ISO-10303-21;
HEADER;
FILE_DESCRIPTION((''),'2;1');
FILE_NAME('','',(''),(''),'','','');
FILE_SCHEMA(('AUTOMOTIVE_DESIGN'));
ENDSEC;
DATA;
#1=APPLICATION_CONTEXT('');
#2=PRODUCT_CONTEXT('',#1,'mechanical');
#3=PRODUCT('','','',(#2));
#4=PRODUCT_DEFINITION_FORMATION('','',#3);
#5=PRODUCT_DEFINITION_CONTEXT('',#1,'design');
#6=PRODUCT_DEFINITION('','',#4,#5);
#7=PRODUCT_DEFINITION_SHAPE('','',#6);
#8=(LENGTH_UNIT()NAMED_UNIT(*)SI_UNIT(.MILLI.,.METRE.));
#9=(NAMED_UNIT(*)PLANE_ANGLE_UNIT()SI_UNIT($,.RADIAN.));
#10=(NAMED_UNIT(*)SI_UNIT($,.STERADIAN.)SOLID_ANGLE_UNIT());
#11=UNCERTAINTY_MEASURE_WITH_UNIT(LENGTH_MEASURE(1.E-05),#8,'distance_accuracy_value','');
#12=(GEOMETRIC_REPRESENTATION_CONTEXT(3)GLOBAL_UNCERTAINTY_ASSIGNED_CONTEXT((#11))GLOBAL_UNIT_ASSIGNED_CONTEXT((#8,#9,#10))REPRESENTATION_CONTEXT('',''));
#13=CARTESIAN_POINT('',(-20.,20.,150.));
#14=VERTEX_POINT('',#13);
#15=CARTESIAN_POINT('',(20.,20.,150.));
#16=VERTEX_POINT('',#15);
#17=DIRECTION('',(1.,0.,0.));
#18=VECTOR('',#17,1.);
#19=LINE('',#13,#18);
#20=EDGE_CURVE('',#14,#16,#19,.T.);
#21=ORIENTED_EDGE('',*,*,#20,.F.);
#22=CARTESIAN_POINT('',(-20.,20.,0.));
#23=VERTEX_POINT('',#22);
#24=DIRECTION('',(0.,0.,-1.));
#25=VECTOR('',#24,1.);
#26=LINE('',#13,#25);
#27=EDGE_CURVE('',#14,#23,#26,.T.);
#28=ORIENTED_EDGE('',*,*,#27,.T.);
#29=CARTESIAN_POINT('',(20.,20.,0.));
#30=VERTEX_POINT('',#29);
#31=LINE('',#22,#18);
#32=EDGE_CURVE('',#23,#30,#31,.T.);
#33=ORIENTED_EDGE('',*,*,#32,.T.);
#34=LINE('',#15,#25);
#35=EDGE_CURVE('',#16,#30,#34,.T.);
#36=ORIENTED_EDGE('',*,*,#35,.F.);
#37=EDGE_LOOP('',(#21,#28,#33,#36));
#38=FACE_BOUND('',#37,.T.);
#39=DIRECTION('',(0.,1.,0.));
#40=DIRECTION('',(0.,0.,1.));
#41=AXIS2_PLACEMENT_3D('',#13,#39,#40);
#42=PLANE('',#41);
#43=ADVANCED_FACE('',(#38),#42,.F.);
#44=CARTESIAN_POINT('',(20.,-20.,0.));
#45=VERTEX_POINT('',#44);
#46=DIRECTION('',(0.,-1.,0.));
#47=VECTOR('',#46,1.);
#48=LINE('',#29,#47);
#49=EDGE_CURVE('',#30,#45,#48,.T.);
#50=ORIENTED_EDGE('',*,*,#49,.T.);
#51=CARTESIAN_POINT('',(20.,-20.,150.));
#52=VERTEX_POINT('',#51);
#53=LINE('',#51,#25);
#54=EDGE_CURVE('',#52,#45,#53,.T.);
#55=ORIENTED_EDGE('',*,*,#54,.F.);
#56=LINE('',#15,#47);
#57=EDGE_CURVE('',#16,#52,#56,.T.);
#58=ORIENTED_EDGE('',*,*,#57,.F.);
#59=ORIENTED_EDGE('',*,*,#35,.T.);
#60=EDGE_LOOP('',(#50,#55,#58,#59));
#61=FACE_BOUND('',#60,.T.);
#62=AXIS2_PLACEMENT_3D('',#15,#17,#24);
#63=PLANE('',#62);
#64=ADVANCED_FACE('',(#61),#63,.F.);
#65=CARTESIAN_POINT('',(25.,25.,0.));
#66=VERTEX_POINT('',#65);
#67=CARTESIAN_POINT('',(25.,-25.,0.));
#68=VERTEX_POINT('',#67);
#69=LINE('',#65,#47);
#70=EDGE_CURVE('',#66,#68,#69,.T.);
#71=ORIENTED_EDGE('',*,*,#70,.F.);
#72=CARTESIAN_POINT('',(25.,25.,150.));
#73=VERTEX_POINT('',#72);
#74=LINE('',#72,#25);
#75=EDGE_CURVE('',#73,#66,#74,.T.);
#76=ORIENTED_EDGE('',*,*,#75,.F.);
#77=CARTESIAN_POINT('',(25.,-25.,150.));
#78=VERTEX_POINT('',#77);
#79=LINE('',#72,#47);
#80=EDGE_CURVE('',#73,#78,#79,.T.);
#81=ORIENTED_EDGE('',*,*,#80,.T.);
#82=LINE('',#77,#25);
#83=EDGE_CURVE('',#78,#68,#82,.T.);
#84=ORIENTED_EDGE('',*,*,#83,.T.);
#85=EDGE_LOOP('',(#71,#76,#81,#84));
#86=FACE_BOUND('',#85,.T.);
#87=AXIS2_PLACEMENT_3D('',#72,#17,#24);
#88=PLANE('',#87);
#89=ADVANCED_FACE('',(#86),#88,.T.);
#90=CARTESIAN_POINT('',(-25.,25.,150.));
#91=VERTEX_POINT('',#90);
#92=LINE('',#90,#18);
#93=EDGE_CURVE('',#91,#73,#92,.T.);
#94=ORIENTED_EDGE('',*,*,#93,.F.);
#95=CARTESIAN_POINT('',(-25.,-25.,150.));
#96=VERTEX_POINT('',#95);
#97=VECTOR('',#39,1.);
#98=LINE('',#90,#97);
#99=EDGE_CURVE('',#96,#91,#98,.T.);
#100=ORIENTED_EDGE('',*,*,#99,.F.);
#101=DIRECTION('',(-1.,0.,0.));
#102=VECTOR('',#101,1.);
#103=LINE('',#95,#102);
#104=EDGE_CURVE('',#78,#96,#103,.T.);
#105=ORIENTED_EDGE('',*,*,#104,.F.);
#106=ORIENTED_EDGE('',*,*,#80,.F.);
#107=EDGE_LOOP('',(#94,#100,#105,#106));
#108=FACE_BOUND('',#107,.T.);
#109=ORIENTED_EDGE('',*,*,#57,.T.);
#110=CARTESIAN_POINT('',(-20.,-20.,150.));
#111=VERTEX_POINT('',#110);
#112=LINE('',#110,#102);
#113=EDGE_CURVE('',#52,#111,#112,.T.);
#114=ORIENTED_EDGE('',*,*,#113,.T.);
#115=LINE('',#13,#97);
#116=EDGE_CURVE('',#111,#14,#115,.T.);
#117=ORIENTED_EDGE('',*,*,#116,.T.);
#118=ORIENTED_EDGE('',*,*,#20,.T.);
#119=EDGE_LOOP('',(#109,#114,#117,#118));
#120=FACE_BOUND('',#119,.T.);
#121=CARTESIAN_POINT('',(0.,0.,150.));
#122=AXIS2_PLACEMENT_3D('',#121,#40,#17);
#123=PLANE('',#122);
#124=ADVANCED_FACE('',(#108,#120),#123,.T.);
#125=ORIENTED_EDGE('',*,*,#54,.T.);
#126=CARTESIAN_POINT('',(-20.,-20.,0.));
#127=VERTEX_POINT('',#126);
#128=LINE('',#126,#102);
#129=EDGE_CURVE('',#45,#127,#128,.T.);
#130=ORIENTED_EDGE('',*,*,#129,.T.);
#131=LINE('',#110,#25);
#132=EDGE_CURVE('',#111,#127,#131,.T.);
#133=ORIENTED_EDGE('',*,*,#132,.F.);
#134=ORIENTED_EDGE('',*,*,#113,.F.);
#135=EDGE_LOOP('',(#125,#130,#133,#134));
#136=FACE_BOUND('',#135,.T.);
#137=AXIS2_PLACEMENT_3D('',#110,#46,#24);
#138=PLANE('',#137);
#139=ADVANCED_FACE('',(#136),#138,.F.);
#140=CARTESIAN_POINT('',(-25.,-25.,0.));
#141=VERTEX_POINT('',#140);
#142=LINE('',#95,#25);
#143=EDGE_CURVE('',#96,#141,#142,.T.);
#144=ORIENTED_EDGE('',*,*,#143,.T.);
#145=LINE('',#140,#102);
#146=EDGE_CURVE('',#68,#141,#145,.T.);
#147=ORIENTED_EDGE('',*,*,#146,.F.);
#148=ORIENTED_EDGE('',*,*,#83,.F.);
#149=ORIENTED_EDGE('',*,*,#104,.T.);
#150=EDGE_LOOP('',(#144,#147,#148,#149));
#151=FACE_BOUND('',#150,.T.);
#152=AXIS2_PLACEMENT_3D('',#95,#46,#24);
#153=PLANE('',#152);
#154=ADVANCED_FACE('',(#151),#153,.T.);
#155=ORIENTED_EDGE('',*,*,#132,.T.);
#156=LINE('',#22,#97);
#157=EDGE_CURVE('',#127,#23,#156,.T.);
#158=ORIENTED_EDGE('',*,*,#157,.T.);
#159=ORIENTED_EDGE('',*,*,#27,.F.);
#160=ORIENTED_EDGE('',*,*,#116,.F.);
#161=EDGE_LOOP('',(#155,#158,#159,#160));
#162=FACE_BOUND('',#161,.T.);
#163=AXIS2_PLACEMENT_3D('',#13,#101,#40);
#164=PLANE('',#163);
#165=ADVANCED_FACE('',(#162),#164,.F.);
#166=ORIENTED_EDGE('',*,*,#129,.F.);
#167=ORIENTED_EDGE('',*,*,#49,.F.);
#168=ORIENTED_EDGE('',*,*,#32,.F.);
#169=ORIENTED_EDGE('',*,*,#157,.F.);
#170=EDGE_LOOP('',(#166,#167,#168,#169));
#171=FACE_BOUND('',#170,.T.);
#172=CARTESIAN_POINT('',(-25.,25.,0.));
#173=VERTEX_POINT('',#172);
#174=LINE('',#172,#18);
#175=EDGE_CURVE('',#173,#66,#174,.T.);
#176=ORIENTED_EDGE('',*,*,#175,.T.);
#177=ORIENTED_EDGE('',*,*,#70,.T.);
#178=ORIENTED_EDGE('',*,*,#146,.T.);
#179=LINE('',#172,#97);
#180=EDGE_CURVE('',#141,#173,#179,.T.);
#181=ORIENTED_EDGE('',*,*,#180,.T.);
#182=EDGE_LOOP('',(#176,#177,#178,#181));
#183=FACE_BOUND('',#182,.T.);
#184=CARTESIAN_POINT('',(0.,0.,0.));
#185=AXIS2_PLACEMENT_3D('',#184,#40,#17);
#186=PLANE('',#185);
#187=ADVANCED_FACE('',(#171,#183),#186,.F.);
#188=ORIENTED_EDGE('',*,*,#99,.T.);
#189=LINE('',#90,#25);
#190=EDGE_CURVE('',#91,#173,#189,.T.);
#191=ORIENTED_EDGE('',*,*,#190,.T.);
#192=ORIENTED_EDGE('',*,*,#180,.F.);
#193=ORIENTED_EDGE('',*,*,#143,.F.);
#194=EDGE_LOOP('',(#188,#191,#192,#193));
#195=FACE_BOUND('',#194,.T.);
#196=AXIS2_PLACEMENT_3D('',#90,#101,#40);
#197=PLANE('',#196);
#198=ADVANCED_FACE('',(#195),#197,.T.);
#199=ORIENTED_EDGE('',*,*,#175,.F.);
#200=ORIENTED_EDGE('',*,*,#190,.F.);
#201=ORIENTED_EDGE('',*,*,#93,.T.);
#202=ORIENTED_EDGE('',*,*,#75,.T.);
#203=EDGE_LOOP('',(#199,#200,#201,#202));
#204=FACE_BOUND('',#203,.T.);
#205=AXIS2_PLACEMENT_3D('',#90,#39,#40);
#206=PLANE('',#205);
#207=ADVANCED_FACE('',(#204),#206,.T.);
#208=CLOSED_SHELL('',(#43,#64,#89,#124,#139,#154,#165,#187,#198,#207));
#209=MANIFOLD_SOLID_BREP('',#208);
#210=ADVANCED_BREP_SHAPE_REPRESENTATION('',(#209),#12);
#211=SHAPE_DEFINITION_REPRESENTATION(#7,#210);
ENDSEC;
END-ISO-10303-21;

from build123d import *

# Parameters (mm, degrees)
SKETCH2_W           = 50
SKETCH2_H           = 50
SKETCH2_W_2         = 40
SKETCH2_H_2         = 40
BOSS_EXTRUDE1_DEPTH = 150


with BuildPart() as part:
    # Sketch2 → Boss-Extrude1 (new body)
    with BuildSketch(Plane(origin=(0, 0, 0), x_dir=(1, 0, 0), z_dir=(0, 0, -1))):
        Rectangle(SKETCH2_W, SKETCH2_H)
        Rectangle(SKETCH2_W_2, SKETCH2_H_2, mode=Mode.SUBTRACT)
    extrude(amount=-BOSS_EXTRUDE1_DEPTH)


solid = part.part
